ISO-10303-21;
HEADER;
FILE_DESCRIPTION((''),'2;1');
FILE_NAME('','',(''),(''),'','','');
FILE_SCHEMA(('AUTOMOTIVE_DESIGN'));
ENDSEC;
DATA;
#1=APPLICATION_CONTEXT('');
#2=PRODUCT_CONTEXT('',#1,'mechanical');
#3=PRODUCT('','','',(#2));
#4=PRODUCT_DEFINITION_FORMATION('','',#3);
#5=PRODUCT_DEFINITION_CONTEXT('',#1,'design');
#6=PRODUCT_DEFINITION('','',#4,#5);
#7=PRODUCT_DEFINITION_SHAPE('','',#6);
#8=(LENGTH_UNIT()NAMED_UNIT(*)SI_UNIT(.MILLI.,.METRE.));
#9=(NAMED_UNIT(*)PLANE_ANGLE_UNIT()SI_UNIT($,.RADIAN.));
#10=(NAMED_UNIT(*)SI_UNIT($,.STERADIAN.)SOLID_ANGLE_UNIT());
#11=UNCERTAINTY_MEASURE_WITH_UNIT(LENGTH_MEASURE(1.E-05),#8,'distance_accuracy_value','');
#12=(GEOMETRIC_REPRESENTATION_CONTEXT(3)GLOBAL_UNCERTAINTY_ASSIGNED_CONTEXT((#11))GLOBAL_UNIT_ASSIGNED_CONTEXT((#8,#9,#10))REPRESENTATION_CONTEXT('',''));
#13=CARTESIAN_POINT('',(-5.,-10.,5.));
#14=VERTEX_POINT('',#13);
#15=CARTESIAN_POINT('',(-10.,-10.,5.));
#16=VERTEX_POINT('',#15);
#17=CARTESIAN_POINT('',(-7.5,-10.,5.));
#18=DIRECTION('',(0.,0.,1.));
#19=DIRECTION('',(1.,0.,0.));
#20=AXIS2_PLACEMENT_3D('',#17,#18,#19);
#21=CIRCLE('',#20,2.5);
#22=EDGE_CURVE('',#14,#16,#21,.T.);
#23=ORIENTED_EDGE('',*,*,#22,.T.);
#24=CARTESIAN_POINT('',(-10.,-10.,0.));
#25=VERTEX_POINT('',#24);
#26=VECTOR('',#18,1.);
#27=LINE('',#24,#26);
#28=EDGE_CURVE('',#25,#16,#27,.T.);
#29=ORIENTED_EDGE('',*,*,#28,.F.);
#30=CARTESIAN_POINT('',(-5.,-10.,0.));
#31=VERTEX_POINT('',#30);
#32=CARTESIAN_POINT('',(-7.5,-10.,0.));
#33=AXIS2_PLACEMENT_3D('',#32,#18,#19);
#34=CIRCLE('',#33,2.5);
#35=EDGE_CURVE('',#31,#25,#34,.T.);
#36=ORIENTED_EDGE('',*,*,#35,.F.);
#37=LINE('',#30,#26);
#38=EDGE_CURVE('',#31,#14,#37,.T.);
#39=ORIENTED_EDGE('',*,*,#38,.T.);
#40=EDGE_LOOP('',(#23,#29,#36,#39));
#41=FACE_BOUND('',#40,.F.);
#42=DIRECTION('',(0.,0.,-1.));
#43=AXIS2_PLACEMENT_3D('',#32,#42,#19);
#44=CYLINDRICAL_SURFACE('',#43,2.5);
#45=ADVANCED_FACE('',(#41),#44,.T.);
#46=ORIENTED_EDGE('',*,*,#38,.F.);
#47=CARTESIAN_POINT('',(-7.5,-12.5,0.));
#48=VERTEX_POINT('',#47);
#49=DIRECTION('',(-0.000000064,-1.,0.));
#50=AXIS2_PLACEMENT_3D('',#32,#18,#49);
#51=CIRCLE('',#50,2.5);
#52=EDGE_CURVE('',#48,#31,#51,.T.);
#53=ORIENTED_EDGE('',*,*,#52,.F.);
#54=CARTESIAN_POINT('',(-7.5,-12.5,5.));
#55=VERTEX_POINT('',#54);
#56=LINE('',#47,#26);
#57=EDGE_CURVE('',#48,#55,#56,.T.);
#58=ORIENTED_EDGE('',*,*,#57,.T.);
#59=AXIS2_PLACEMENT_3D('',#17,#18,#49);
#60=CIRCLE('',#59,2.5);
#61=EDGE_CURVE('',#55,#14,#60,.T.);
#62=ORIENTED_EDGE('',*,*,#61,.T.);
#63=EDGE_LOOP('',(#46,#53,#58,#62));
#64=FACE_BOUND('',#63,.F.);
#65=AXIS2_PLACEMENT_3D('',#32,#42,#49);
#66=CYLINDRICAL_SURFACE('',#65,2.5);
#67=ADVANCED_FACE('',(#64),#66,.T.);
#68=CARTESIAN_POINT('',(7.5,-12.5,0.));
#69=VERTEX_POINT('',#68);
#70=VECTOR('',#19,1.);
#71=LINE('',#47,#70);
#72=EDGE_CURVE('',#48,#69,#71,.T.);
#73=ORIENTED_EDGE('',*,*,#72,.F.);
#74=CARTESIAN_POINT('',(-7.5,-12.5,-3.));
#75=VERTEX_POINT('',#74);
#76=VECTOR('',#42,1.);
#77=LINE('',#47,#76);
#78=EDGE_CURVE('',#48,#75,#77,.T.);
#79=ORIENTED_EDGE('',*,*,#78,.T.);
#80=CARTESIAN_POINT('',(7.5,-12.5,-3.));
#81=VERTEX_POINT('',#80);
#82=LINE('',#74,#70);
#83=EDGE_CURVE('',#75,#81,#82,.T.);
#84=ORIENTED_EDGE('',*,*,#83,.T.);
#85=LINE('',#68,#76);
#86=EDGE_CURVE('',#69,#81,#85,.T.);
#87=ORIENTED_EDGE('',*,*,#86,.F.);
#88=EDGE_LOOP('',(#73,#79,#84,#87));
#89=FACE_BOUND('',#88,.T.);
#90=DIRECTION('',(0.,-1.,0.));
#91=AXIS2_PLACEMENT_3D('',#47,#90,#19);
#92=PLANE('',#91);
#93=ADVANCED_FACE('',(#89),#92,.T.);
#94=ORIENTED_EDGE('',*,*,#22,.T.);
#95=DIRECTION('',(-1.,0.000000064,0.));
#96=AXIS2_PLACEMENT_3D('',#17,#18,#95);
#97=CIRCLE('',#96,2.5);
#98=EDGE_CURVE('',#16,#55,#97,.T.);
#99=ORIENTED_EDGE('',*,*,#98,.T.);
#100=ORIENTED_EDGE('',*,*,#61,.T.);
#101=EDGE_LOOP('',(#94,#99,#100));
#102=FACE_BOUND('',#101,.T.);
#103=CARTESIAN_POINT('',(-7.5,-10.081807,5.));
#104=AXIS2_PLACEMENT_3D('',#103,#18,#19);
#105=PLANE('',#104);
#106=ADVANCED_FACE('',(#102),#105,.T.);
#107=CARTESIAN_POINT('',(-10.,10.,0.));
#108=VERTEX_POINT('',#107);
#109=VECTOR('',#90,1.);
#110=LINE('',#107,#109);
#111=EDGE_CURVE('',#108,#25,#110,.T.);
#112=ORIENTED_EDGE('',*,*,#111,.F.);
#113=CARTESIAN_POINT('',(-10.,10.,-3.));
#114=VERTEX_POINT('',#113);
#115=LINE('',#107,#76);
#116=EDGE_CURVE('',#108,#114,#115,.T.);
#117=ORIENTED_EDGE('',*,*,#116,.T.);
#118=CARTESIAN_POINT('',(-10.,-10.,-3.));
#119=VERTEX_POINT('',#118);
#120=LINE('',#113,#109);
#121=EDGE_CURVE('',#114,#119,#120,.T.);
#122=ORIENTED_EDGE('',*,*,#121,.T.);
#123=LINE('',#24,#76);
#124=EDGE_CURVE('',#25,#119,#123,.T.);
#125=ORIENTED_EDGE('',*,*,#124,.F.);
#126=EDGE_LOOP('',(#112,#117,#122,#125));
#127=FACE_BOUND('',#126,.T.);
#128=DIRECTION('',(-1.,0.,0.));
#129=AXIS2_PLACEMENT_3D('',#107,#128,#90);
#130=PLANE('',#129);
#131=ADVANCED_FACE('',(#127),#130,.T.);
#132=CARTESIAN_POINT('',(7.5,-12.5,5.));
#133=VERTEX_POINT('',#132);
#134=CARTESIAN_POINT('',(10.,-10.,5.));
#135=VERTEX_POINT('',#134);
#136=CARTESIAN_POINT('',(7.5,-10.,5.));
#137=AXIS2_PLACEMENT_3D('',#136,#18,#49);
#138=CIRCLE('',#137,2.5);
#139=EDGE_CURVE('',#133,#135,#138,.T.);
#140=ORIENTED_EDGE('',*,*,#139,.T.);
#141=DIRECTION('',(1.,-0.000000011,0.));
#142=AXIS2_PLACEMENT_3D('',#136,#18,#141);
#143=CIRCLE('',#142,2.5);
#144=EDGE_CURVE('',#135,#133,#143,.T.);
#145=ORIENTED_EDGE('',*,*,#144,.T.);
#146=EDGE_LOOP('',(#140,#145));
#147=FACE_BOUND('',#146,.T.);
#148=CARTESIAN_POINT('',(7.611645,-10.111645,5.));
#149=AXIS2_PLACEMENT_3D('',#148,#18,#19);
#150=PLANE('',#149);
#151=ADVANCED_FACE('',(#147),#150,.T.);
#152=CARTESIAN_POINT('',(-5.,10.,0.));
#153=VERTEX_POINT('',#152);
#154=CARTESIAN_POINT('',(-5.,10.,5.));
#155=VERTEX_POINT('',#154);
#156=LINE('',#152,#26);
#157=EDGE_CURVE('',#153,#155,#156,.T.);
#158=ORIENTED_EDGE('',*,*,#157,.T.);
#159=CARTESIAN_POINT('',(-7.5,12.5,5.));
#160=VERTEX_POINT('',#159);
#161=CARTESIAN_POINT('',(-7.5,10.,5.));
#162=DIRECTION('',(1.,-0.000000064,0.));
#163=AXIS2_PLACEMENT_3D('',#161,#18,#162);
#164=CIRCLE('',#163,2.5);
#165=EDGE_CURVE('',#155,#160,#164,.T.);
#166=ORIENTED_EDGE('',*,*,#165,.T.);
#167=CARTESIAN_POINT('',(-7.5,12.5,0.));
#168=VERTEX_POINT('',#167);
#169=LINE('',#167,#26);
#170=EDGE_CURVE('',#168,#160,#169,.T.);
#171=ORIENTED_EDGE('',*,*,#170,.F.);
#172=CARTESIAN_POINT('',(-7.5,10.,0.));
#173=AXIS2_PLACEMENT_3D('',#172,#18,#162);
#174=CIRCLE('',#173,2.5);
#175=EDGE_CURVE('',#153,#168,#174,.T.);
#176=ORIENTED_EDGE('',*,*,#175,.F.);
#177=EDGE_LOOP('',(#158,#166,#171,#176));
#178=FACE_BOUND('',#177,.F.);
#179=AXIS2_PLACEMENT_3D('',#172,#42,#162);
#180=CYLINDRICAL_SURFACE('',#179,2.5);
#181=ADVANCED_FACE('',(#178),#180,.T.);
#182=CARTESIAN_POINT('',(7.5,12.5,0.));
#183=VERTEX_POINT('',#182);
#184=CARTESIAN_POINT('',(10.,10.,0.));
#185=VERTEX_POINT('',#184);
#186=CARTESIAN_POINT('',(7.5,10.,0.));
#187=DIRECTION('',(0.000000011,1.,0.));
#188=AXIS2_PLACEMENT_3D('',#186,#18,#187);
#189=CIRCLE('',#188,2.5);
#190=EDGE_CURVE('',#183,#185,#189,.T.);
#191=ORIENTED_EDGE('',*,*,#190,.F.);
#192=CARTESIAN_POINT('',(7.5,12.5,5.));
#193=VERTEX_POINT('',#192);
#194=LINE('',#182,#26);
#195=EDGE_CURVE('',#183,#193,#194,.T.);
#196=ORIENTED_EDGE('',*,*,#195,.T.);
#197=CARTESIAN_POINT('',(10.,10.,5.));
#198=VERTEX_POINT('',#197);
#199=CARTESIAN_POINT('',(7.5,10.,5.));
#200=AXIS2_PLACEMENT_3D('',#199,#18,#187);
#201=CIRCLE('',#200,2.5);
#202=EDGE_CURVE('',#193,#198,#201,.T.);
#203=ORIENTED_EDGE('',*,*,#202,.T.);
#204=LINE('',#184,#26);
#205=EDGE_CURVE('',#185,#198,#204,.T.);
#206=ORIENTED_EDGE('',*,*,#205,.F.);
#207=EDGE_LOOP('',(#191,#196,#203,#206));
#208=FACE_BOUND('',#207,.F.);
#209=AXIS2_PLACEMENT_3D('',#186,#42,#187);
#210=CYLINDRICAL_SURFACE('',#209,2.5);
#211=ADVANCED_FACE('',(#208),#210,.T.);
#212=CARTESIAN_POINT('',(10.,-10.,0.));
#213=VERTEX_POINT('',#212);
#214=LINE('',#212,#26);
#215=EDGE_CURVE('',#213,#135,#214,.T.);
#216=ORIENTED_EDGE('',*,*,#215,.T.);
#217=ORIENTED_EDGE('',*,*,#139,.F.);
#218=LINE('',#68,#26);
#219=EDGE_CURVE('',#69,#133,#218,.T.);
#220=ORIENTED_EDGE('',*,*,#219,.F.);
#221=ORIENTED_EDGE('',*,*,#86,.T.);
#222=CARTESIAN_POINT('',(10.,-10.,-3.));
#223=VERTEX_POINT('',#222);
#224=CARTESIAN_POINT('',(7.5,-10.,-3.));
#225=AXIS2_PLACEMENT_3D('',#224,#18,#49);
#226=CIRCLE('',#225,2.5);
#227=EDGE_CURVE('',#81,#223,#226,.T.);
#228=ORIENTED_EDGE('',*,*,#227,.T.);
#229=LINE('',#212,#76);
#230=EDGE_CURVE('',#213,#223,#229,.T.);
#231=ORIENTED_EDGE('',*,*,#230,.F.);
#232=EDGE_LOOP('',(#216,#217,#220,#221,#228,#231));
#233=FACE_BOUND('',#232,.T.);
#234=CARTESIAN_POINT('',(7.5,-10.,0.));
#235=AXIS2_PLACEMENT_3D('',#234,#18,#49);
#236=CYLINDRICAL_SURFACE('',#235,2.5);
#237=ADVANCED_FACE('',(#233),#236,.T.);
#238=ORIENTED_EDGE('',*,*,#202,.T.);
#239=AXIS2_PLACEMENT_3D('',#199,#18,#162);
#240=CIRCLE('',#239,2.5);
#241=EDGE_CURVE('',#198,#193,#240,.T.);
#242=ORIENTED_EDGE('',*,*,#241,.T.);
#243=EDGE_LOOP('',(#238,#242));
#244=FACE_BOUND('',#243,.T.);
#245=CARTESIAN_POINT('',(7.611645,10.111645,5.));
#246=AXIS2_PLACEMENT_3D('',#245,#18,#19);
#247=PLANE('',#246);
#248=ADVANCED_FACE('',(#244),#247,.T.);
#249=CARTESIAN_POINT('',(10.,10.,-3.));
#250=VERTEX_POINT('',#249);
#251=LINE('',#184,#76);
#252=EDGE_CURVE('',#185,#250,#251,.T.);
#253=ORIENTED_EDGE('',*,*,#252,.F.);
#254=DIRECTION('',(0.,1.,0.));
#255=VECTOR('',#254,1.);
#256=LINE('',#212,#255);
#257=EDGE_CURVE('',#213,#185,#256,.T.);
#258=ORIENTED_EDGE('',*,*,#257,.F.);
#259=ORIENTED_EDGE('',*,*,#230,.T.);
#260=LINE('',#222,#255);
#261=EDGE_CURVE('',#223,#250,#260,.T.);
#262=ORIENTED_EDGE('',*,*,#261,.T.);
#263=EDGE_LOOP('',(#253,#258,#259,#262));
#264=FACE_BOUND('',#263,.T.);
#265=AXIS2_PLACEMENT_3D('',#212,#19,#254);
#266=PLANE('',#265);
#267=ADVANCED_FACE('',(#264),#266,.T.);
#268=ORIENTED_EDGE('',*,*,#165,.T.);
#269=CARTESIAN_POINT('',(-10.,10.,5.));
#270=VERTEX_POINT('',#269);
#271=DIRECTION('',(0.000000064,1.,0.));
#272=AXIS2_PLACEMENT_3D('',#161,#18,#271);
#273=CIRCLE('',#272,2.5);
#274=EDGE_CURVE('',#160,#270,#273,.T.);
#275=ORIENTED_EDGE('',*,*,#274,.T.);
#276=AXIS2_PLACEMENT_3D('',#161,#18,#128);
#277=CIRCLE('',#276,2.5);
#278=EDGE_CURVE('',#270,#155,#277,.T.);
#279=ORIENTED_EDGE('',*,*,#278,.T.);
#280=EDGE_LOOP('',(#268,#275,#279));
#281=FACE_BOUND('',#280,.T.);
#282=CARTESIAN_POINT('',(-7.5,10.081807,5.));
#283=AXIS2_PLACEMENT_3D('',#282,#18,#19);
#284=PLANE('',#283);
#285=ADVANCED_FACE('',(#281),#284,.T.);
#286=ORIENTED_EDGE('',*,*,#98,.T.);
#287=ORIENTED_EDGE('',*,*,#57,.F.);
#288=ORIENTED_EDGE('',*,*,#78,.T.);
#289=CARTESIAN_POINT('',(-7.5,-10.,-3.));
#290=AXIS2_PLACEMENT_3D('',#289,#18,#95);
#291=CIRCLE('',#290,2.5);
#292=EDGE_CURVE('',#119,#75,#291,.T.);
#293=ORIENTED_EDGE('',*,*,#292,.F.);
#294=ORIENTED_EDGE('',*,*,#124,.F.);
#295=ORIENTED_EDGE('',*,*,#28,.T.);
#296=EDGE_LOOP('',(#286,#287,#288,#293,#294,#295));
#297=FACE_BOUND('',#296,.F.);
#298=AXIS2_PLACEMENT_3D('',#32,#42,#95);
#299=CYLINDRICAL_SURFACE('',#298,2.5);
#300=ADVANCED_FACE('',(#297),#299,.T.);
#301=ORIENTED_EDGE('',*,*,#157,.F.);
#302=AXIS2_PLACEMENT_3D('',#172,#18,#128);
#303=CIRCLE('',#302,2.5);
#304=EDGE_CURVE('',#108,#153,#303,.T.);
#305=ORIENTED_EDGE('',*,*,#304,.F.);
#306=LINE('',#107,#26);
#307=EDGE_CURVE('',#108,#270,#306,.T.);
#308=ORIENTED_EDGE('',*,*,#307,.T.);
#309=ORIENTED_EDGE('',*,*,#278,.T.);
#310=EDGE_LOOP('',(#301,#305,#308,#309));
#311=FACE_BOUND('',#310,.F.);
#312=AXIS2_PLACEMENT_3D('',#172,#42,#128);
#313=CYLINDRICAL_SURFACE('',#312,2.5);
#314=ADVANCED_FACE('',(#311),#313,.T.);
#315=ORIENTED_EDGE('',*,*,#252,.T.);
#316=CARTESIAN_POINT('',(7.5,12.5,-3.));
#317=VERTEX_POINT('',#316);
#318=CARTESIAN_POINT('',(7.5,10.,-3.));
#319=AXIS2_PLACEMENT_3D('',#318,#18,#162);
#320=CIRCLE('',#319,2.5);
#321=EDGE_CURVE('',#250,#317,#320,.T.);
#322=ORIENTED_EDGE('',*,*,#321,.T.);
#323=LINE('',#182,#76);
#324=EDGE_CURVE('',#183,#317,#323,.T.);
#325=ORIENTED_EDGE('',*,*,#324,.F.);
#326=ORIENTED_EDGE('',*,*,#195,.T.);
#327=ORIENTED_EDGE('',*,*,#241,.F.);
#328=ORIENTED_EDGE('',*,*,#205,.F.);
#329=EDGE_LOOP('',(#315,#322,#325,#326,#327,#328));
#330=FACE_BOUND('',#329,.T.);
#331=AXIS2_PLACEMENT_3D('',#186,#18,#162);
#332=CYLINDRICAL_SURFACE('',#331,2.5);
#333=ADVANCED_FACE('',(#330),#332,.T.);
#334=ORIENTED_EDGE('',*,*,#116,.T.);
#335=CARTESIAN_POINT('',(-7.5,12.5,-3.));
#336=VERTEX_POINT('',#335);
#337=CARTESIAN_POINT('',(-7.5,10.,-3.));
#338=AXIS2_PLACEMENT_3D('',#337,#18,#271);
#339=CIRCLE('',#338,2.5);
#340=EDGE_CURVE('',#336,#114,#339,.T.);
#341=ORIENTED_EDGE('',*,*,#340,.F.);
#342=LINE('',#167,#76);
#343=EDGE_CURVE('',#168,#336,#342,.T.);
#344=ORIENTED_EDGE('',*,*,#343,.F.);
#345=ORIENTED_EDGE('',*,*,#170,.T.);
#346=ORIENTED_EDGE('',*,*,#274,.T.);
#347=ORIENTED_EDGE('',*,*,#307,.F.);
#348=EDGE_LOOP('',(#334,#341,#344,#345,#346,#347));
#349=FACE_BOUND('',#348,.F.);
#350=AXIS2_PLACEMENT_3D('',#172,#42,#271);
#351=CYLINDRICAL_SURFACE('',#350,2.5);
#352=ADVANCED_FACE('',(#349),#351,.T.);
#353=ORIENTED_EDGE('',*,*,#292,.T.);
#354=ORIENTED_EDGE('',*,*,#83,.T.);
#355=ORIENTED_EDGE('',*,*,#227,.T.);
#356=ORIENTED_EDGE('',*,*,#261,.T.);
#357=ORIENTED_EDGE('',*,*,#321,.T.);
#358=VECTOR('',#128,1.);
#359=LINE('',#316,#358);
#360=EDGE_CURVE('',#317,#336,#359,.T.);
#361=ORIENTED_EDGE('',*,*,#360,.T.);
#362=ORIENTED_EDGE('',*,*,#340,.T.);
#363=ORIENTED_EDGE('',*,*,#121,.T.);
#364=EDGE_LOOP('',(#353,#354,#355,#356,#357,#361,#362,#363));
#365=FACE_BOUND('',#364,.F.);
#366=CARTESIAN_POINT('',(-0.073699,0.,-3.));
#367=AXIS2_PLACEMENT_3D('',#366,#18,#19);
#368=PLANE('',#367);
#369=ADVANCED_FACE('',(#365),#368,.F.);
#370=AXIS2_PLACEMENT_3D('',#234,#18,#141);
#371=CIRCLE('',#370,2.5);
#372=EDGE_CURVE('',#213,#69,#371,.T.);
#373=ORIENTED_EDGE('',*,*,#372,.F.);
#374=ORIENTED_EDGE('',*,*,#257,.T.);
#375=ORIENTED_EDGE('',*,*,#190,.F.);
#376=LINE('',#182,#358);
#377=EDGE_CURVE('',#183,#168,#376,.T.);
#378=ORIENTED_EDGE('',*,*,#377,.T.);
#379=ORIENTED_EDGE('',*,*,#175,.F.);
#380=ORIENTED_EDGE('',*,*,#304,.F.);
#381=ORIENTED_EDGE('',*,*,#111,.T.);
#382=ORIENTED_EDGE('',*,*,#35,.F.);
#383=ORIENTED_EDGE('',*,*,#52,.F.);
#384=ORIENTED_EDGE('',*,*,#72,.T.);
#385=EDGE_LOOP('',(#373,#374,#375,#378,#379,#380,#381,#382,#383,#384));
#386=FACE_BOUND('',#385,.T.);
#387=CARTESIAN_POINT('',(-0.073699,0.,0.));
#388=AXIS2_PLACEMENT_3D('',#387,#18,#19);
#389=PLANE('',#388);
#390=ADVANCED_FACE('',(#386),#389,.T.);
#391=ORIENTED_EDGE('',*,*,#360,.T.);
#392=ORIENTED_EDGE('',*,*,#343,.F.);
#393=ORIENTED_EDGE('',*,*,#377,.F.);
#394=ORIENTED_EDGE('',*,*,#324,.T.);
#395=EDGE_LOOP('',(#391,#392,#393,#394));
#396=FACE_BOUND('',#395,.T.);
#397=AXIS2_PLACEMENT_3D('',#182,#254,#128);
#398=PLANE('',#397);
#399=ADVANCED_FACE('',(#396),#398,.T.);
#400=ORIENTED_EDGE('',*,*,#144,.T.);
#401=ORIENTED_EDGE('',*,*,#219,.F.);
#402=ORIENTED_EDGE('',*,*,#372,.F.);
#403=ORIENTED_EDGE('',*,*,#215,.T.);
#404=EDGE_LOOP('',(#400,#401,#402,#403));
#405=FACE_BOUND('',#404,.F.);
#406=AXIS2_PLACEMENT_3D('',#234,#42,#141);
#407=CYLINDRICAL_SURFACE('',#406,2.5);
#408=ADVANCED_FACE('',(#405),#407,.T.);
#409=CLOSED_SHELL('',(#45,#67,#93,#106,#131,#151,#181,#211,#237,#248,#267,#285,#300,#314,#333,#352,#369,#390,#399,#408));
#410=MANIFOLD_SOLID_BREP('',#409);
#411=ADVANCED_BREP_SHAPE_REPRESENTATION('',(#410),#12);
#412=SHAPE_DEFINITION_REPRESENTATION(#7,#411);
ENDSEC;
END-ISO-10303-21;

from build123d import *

# Parameters (mm, degrees)
F1_DEPTH = 3
F2_DEPTH = 5


with BuildPart() as f1:
    # F0 (on Top) → F1 (new body)
    with BuildSketch(Plane.XY):
        with BuildLine():
            ThreePointArc((-7.5, 12.5), (-5.732233, 11.767767), (-5, 10))
            ThreePointArc((-5, 10), (-7.5, 7.5), (-10, 10))
            Line((-10, 10), (-10, -10))
            ThreePointArc((-10, -10), (-7.5, -7.5), (-5, -10))
            ThreePointArc((-5, -10), (-5.732233, -11.767767), (-7.5, -12.5))
            Line((-7.5, -12.5), (7.5, -12.5))
            ThreePointArc((7.5, -12.5), (5.732233, -8.232233), (10, -10))
            Line((10, -10), (10, 10))
            ThreePointArc((10, 10), (5.732233, 8.232233), (7.5, 12.5))
            Line((7.5, 12.5), (-7.5, 12.5))
        make_face()
        with BuildLine():
            ThreePointArc((7.5, -12.5), (9.267767, -11.767767), (10, -10))
            ThreePointArc((10, -10), (5.732233, -8.232233), (7.5, -12.5))
        make_face()
        with BuildLine():
            ThreePointArc((-5, -10), (-7.5, -7.5), (-10, -10))
            ThreePointArc((-10, -10), (-9.267767, -11.767767), (-7.5, -12.5))
            ThreePointArc((-7.5, -12.5), (-5.732233, -11.767767), (-5, -10))
        make_face()
        with BuildLine():
            ThreePointArc((-10, 10), (-7.5, 7.5), (-5, 10))
            ThreePointArc((-5, 10), (-5.732233, 11.767767), (-7.5, 12.5))
            ThreePointArc((-7.5, 12.5), (-9.267767, 11.767767), (-10, 10))
        make_face()
        with BuildLine():
            ThreePointArc((10, 10), (9.267767, 11.767767), (7.5, 12.5))
            ThreePointArc((7.5, 12.5), (5.732233, 8.232233), (10, 10))
        make_face()
    extrude(amount=-F1_DEPTH)

    # F0 (on Top) → F2 (join)
    with BuildSketch(Plane.XY):
        with BuildLine():
            ThreePointArc((-5, -10), (-7.5, -7.5), (-10, -10))
            ThreePointArc((-10, -10), (-9.267767, -11.767767), (-7.5, -12.5))
            ThreePointArc((-7.5, -12.5), (-5.732233, -11.767767), (-5, -10))
        make_face()
        with BuildLine():
            ThreePointArc((7.5, -12.5), (9.267767, -11.767767), (10, -10))
            ThreePointArc((10, -10), (5.732233, -8.232233), (7.5, -12.5))
        make_face()
        with BuildLine():
            ThreePointArc((10, 10), (9.267767, 11.767767), (7.5, 12.5))
            ThreePointArc((7.5, 12.5), (5.732233, 8.232233), (10, 10))
        make_face()
        with BuildLine():
            ThreePointArc((-10, 10), (-7.5, 7.5), (-5, 10))
            ThreePointArc((-5, 10), (-5.732233, 11.767767), (-7.5, 12.5))
            ThreePointArc((-7.5, 12.5), (-9.267767, 11.767767), (-10, 10))
        make_face()
    extrude(amount=F2_DEPTH)


solid = f1.part
